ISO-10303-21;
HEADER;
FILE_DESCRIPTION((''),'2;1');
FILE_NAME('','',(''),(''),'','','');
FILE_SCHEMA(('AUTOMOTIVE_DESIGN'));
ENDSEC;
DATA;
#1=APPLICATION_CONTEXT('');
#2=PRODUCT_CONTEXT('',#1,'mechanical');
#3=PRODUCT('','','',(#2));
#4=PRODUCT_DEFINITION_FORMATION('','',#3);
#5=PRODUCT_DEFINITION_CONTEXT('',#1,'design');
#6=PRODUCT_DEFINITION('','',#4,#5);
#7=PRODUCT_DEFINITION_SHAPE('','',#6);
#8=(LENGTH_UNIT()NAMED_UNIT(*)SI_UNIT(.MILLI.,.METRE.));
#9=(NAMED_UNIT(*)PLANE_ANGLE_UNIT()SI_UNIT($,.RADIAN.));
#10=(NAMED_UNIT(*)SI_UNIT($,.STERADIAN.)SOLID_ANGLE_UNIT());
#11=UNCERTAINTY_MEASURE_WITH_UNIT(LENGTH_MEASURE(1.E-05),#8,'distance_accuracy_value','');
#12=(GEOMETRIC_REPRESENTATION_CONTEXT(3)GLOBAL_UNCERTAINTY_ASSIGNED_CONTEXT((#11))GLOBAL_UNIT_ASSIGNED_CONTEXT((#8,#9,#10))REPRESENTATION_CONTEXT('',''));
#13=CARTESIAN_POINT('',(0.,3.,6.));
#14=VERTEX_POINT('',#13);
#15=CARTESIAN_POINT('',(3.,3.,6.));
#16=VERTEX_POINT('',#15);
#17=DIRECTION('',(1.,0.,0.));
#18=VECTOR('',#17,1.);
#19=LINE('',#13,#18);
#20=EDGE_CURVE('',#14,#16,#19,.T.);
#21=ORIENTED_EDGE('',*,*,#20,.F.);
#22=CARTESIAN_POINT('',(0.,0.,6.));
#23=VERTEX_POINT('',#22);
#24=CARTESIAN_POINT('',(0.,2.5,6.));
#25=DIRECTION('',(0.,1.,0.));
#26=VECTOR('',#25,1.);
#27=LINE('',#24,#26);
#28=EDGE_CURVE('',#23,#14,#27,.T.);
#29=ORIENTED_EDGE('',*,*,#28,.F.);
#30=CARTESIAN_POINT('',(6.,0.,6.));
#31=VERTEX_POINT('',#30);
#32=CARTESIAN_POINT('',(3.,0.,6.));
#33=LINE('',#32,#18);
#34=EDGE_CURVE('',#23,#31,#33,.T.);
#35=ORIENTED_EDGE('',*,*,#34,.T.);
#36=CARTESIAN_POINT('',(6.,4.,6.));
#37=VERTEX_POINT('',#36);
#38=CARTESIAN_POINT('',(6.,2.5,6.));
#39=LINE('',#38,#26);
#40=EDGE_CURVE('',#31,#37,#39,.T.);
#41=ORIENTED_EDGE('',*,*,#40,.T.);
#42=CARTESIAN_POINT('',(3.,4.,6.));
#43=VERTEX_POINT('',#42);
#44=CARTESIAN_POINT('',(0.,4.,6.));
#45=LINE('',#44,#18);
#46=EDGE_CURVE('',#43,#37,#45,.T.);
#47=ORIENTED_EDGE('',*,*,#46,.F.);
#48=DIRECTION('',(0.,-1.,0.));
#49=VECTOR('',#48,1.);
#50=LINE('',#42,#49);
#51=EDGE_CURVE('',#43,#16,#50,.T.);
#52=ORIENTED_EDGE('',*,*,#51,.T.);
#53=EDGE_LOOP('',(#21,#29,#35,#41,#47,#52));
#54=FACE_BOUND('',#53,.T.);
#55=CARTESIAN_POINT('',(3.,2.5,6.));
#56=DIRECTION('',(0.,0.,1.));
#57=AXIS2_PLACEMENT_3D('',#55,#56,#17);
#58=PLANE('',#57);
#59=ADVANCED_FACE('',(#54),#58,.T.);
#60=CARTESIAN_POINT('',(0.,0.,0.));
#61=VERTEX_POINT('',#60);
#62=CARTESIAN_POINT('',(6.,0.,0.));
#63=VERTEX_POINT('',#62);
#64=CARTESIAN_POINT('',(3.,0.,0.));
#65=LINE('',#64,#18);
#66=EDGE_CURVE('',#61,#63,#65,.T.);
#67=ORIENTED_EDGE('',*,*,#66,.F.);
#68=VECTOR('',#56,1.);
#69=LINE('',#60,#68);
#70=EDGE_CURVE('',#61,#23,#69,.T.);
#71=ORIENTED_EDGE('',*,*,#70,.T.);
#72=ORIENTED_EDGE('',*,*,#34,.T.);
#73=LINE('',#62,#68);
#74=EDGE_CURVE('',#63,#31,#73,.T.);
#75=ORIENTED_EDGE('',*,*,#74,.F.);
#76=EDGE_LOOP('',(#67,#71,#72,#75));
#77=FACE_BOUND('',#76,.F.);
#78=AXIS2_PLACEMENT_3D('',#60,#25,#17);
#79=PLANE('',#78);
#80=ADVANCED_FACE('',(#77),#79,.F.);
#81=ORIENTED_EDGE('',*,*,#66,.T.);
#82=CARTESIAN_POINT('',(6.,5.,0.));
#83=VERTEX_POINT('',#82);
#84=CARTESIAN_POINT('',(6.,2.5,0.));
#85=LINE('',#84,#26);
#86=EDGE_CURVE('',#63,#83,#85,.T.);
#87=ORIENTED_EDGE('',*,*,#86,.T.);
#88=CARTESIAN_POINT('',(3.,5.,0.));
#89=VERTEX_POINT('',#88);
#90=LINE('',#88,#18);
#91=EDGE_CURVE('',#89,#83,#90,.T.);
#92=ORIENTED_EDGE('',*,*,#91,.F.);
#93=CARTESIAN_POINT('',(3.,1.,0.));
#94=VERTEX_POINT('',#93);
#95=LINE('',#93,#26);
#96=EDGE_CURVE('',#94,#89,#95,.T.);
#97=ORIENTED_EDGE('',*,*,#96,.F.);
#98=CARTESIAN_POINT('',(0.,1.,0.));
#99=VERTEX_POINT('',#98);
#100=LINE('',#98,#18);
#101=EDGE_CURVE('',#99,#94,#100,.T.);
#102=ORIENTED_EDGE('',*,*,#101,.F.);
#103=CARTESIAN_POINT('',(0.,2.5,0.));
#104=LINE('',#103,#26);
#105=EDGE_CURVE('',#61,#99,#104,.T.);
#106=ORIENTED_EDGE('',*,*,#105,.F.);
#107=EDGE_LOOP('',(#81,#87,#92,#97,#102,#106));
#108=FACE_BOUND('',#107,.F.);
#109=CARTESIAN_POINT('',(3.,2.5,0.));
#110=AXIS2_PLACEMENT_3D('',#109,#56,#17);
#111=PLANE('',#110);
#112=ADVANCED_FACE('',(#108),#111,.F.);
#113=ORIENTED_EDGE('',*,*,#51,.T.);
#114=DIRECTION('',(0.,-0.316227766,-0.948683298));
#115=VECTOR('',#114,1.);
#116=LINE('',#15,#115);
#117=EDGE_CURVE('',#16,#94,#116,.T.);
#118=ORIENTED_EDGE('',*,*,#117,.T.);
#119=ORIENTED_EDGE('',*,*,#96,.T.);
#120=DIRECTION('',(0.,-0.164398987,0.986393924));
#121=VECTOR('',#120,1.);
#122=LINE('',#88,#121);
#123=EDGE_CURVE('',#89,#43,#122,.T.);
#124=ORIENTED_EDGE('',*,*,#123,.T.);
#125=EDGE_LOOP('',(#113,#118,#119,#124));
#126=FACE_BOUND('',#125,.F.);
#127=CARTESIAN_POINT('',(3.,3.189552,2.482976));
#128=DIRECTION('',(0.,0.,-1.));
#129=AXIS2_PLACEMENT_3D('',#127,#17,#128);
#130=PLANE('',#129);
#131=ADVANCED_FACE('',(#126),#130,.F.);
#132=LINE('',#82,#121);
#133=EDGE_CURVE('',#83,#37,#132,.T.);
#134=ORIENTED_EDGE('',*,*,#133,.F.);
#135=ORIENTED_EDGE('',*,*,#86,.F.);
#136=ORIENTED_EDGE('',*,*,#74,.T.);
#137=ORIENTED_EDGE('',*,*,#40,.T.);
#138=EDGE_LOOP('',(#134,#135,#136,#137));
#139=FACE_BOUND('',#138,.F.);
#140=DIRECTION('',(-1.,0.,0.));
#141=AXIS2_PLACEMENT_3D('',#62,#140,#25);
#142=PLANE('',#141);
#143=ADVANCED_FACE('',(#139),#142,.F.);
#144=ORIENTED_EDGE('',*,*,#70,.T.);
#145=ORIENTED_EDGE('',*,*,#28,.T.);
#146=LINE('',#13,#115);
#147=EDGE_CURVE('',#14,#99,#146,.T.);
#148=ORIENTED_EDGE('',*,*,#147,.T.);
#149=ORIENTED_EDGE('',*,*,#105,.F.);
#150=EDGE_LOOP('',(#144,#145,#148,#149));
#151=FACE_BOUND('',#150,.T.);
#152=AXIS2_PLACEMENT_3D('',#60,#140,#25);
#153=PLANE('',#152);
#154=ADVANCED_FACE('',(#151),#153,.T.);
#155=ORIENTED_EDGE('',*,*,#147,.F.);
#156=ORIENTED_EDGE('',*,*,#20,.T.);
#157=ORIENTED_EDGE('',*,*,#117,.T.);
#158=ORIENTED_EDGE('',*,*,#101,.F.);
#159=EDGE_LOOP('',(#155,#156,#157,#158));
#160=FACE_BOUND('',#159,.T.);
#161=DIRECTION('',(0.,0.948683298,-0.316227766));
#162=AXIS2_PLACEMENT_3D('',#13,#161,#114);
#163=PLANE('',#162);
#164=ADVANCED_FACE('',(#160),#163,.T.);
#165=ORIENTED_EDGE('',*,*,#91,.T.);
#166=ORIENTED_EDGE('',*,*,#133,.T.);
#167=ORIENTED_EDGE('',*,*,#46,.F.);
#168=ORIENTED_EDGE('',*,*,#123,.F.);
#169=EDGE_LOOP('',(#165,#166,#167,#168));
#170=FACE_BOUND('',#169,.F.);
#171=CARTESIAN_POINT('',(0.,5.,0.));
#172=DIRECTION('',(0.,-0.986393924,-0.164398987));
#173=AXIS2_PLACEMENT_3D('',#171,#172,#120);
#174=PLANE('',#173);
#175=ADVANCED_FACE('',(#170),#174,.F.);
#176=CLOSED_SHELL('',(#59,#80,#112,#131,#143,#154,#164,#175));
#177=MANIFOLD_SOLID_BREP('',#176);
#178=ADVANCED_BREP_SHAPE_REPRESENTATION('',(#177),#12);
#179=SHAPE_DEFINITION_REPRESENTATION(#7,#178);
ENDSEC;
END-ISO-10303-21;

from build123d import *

# Parameters (mm, degrees)
SKETCH3_W           = 6
SKETCH3_H           = 5
BOSS_EXTRUDE6_DEPTH = 6
CUT_EXTRUDE4_DEPTH  = 6
CUT_EXTRUDE5_DEPTH  = 3


with BuildPart() as part:
    # Sketch3 → Boss-Extrude6 (new body)
    with BuildSketch(Plane.XY):
        with Locations((3, 2.5)):
            Rectangle(SKETCH3_W, SKETCH3_H)
    extrude(amount=BOSS_EXTRUDE6_DEPTH)

    # Sketch7 → Cut-Extrude4 (cut)
    with BuildSketch(Plane.ZY):
        Polygon((0, 5), (6, 4), (6, 5), align=None)
    extrude(amount=-CUT_EXTRUDE4_DEPTH, mode=Mode.SUBTRACT)

    # Sketch8 → Cut-Extrude5 (cut)
    with BuildSketch(Plane.ZY):
        Polygon((0, 5), (6, 4), (6, 3), (0, 1), align=None)
    extrude(amount=-CUT_EXTRUDE5_DEPTH, mode=Mode.SUBTRACT)


solid = part.part
